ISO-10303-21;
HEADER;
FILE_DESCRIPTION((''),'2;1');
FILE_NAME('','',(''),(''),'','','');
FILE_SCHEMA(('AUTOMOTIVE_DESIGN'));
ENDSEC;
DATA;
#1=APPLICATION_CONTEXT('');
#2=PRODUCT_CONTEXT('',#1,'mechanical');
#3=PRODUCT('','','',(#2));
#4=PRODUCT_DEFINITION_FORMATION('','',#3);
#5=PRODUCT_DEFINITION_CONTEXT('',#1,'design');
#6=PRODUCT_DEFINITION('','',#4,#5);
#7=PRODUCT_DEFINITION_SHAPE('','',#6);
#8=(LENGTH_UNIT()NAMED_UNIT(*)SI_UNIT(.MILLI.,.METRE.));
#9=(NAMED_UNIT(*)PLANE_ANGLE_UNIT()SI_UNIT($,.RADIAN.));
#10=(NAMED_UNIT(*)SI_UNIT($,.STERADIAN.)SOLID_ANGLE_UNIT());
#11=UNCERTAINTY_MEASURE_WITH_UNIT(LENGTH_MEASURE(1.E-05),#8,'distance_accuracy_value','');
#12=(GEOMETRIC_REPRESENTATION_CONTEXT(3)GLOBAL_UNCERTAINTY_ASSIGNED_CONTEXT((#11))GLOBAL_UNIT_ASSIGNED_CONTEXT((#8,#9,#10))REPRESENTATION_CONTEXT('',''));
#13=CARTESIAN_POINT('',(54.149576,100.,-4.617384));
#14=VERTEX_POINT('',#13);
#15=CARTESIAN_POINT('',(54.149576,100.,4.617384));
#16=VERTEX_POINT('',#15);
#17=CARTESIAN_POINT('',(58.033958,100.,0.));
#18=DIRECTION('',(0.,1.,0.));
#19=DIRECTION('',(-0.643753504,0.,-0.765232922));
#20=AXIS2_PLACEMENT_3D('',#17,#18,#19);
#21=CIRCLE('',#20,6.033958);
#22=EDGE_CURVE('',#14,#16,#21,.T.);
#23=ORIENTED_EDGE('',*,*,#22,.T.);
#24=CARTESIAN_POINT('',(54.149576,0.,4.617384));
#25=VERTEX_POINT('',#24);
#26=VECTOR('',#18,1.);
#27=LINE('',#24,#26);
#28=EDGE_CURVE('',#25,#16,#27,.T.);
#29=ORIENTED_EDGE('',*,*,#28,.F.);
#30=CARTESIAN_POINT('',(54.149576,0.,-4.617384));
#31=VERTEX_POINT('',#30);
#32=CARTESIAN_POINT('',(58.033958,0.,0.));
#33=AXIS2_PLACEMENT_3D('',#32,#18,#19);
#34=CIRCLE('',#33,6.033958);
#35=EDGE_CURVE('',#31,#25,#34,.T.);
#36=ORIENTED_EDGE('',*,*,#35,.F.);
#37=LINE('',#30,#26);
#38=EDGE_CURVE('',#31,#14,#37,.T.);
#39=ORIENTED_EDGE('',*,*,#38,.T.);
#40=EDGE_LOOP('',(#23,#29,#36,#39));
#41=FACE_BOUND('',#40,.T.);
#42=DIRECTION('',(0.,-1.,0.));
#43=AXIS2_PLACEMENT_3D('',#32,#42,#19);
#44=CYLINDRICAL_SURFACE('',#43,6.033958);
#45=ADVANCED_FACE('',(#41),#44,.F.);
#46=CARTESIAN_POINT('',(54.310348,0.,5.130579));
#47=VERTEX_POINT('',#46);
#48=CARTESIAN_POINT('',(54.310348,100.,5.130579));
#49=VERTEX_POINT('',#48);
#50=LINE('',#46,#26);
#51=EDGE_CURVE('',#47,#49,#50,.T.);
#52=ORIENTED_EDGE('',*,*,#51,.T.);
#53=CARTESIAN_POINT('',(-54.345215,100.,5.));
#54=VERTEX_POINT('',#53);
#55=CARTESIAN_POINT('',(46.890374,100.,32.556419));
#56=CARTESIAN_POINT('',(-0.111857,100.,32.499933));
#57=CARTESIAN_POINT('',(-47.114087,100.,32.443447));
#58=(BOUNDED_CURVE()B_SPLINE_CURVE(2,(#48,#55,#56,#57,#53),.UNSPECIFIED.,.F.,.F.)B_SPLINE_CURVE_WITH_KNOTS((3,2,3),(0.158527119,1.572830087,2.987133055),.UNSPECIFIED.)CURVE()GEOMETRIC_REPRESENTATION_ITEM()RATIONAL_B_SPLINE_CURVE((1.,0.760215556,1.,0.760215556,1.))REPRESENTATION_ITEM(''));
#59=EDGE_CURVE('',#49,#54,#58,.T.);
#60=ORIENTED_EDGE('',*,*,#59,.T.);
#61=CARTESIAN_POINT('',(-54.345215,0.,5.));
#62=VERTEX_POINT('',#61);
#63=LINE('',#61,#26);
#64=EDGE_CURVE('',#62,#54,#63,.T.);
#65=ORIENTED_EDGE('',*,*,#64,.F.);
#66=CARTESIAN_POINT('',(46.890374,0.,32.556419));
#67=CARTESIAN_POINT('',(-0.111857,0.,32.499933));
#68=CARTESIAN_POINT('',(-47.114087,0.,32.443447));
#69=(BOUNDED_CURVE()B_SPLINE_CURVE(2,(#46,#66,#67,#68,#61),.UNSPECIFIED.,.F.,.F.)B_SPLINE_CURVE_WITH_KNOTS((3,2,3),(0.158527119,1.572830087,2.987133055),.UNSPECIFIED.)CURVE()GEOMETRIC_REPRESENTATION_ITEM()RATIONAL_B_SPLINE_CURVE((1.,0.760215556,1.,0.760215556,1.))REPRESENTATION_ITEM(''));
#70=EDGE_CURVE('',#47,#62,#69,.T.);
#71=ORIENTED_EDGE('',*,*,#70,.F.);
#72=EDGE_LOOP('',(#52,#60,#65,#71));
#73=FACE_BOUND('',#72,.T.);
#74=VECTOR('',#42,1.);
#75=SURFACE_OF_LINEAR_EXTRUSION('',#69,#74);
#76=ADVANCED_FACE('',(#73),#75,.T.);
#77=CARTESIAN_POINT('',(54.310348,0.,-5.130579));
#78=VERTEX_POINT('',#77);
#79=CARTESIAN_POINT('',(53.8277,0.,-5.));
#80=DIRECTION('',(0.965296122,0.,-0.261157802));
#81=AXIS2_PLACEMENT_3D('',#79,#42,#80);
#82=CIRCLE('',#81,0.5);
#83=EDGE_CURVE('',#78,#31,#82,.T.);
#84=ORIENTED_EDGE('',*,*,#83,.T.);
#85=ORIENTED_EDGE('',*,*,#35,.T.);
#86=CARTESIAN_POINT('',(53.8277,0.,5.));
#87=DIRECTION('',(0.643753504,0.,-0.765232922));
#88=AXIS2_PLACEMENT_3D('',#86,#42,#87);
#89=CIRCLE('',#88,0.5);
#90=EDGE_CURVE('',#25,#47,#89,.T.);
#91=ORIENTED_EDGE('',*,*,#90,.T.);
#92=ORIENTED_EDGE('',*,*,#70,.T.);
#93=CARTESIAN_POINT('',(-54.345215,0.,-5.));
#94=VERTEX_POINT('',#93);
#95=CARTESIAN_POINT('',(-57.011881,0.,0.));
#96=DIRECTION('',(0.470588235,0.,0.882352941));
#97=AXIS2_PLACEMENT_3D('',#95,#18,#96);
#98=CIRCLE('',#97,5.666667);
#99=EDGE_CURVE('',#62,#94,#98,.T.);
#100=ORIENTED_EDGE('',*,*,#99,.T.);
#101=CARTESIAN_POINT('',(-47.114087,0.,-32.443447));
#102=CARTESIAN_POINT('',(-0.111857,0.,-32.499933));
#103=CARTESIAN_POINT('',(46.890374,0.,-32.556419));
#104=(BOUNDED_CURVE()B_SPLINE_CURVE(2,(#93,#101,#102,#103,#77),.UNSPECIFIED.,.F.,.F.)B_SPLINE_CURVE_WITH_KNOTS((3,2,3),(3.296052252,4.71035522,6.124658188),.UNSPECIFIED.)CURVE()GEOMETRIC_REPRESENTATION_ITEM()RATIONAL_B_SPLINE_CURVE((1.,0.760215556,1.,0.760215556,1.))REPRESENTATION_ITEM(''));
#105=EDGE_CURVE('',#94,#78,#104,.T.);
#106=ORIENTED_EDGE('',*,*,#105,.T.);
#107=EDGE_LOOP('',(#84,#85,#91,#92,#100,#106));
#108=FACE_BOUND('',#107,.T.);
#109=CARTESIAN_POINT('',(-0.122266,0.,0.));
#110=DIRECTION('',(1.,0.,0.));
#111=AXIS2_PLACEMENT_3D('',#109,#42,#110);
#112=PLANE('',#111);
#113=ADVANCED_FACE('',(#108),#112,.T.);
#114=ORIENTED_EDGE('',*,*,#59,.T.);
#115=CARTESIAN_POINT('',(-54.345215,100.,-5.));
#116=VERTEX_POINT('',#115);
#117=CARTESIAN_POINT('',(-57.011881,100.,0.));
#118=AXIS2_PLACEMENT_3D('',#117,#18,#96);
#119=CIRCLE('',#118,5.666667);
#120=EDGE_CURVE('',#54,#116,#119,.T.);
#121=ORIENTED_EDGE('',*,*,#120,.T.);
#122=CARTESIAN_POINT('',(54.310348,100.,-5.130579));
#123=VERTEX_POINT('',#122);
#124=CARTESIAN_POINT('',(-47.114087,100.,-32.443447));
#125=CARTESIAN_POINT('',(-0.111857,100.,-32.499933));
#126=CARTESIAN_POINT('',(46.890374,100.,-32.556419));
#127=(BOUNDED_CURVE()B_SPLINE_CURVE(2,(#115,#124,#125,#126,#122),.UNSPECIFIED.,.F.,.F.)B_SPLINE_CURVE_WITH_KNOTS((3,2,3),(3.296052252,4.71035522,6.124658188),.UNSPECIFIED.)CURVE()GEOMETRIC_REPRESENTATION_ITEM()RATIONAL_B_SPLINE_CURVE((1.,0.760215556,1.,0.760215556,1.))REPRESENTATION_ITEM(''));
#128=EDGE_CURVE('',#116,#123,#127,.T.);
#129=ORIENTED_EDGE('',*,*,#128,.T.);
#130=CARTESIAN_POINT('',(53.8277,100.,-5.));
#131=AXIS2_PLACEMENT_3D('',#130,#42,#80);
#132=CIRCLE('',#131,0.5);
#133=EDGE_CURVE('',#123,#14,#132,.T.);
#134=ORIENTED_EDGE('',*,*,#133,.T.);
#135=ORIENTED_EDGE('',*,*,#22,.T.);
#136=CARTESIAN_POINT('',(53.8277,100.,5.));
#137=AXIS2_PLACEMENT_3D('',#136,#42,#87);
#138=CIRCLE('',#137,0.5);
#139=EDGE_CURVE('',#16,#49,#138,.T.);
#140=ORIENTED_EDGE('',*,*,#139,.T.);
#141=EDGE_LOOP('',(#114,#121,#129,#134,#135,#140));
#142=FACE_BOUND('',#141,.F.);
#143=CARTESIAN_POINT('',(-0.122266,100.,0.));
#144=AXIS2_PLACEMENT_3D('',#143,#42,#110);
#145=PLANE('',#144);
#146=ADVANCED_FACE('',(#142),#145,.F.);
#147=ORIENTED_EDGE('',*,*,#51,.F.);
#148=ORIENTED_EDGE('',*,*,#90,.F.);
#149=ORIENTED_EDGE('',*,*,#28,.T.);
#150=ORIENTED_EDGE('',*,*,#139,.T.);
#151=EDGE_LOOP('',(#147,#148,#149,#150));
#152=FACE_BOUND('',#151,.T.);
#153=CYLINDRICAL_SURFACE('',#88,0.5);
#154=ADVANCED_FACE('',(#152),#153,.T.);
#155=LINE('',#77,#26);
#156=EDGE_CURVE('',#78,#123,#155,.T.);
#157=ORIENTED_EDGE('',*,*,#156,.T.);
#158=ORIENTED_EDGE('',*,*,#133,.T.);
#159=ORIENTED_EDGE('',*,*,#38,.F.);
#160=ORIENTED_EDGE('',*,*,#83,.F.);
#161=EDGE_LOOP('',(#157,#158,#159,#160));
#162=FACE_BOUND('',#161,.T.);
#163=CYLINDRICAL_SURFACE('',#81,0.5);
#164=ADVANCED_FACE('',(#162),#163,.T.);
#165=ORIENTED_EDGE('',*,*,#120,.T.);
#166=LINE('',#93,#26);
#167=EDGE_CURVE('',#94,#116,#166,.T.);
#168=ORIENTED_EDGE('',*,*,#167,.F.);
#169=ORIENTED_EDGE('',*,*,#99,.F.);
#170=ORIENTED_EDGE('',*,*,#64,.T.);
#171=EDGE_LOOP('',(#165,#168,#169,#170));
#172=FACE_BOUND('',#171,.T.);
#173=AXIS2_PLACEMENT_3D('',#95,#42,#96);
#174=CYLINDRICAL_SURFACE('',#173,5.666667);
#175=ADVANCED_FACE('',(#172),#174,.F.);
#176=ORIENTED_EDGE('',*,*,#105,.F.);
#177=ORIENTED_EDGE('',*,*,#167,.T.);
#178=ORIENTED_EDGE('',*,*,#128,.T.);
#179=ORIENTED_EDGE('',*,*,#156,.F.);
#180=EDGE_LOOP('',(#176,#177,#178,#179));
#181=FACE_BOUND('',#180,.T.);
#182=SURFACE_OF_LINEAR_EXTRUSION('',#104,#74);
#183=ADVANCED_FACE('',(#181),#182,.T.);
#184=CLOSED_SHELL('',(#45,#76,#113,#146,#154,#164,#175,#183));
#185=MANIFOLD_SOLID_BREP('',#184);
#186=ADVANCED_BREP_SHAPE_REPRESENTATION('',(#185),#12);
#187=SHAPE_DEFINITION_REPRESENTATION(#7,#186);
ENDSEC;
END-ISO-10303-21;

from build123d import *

# Parameters (mm, degrees)
F1_DEPTH = 100


with BuildPart() as f1:
    # F0 (on Front) → F1 (new body)
    with BuildSketch(Plane.XZ):
        with BuildLine():
            ThreePointArc((54.1495764968, 4.6173835388), (54.3048343311, 4.8505256331), (54.3103478054, 5.1305789011))
            add(Edge.make_bspline(
                [(54.3103478054, 5.1305789011), (46.8903739099, 32.556418617), (-0.1118567417, 32.4999327871), (-47.1140873933, 32.4434469572), (-54.3452147559, 5)],
                knots=[0.1585271192, 0.1585271192, 0.1585271192, 1.5728300871, 1.5728300871, 2.9871330551, 2.9871330551, 2.9871330551], degree=2, weights=[1, 0.7602155557, 1, 0.7602155557, 1]))
            ThreePointArc((-54.3452147559, 5), (-51.3452147559, 0), (-54.3452147559, -5))
            add(Edge.make_bspline(
                [(-54.3452147559, -5), (-47.1140873933, -32.4434469572), (-0.1118567417, -32.4999327871), (46.8903739099, -32.556418617), (54.3103478054, -5.1305789011)],
                knots=[3.2960522521, 3.2960522521, 3.2960522521, 4.71035522, 4.71035522, 6.124658188, 6.124658188, 6.124658188], degree=2, weights=[1, 0.7602155557, 1, 0.7602155557, 1]))
            ThreePointArc((54.3103478054, -5.1305789011), (54.3048343311, -4.8505256331), (54.1495764968, -4.6173835388))
            ThreePointArc((54.1495764968, -4.6173835388), (52, 0), (54.1495764968, 4.6173835388))
        make_face()
    extrude(amount=-F1_DEPTH)


solid = f1.part
